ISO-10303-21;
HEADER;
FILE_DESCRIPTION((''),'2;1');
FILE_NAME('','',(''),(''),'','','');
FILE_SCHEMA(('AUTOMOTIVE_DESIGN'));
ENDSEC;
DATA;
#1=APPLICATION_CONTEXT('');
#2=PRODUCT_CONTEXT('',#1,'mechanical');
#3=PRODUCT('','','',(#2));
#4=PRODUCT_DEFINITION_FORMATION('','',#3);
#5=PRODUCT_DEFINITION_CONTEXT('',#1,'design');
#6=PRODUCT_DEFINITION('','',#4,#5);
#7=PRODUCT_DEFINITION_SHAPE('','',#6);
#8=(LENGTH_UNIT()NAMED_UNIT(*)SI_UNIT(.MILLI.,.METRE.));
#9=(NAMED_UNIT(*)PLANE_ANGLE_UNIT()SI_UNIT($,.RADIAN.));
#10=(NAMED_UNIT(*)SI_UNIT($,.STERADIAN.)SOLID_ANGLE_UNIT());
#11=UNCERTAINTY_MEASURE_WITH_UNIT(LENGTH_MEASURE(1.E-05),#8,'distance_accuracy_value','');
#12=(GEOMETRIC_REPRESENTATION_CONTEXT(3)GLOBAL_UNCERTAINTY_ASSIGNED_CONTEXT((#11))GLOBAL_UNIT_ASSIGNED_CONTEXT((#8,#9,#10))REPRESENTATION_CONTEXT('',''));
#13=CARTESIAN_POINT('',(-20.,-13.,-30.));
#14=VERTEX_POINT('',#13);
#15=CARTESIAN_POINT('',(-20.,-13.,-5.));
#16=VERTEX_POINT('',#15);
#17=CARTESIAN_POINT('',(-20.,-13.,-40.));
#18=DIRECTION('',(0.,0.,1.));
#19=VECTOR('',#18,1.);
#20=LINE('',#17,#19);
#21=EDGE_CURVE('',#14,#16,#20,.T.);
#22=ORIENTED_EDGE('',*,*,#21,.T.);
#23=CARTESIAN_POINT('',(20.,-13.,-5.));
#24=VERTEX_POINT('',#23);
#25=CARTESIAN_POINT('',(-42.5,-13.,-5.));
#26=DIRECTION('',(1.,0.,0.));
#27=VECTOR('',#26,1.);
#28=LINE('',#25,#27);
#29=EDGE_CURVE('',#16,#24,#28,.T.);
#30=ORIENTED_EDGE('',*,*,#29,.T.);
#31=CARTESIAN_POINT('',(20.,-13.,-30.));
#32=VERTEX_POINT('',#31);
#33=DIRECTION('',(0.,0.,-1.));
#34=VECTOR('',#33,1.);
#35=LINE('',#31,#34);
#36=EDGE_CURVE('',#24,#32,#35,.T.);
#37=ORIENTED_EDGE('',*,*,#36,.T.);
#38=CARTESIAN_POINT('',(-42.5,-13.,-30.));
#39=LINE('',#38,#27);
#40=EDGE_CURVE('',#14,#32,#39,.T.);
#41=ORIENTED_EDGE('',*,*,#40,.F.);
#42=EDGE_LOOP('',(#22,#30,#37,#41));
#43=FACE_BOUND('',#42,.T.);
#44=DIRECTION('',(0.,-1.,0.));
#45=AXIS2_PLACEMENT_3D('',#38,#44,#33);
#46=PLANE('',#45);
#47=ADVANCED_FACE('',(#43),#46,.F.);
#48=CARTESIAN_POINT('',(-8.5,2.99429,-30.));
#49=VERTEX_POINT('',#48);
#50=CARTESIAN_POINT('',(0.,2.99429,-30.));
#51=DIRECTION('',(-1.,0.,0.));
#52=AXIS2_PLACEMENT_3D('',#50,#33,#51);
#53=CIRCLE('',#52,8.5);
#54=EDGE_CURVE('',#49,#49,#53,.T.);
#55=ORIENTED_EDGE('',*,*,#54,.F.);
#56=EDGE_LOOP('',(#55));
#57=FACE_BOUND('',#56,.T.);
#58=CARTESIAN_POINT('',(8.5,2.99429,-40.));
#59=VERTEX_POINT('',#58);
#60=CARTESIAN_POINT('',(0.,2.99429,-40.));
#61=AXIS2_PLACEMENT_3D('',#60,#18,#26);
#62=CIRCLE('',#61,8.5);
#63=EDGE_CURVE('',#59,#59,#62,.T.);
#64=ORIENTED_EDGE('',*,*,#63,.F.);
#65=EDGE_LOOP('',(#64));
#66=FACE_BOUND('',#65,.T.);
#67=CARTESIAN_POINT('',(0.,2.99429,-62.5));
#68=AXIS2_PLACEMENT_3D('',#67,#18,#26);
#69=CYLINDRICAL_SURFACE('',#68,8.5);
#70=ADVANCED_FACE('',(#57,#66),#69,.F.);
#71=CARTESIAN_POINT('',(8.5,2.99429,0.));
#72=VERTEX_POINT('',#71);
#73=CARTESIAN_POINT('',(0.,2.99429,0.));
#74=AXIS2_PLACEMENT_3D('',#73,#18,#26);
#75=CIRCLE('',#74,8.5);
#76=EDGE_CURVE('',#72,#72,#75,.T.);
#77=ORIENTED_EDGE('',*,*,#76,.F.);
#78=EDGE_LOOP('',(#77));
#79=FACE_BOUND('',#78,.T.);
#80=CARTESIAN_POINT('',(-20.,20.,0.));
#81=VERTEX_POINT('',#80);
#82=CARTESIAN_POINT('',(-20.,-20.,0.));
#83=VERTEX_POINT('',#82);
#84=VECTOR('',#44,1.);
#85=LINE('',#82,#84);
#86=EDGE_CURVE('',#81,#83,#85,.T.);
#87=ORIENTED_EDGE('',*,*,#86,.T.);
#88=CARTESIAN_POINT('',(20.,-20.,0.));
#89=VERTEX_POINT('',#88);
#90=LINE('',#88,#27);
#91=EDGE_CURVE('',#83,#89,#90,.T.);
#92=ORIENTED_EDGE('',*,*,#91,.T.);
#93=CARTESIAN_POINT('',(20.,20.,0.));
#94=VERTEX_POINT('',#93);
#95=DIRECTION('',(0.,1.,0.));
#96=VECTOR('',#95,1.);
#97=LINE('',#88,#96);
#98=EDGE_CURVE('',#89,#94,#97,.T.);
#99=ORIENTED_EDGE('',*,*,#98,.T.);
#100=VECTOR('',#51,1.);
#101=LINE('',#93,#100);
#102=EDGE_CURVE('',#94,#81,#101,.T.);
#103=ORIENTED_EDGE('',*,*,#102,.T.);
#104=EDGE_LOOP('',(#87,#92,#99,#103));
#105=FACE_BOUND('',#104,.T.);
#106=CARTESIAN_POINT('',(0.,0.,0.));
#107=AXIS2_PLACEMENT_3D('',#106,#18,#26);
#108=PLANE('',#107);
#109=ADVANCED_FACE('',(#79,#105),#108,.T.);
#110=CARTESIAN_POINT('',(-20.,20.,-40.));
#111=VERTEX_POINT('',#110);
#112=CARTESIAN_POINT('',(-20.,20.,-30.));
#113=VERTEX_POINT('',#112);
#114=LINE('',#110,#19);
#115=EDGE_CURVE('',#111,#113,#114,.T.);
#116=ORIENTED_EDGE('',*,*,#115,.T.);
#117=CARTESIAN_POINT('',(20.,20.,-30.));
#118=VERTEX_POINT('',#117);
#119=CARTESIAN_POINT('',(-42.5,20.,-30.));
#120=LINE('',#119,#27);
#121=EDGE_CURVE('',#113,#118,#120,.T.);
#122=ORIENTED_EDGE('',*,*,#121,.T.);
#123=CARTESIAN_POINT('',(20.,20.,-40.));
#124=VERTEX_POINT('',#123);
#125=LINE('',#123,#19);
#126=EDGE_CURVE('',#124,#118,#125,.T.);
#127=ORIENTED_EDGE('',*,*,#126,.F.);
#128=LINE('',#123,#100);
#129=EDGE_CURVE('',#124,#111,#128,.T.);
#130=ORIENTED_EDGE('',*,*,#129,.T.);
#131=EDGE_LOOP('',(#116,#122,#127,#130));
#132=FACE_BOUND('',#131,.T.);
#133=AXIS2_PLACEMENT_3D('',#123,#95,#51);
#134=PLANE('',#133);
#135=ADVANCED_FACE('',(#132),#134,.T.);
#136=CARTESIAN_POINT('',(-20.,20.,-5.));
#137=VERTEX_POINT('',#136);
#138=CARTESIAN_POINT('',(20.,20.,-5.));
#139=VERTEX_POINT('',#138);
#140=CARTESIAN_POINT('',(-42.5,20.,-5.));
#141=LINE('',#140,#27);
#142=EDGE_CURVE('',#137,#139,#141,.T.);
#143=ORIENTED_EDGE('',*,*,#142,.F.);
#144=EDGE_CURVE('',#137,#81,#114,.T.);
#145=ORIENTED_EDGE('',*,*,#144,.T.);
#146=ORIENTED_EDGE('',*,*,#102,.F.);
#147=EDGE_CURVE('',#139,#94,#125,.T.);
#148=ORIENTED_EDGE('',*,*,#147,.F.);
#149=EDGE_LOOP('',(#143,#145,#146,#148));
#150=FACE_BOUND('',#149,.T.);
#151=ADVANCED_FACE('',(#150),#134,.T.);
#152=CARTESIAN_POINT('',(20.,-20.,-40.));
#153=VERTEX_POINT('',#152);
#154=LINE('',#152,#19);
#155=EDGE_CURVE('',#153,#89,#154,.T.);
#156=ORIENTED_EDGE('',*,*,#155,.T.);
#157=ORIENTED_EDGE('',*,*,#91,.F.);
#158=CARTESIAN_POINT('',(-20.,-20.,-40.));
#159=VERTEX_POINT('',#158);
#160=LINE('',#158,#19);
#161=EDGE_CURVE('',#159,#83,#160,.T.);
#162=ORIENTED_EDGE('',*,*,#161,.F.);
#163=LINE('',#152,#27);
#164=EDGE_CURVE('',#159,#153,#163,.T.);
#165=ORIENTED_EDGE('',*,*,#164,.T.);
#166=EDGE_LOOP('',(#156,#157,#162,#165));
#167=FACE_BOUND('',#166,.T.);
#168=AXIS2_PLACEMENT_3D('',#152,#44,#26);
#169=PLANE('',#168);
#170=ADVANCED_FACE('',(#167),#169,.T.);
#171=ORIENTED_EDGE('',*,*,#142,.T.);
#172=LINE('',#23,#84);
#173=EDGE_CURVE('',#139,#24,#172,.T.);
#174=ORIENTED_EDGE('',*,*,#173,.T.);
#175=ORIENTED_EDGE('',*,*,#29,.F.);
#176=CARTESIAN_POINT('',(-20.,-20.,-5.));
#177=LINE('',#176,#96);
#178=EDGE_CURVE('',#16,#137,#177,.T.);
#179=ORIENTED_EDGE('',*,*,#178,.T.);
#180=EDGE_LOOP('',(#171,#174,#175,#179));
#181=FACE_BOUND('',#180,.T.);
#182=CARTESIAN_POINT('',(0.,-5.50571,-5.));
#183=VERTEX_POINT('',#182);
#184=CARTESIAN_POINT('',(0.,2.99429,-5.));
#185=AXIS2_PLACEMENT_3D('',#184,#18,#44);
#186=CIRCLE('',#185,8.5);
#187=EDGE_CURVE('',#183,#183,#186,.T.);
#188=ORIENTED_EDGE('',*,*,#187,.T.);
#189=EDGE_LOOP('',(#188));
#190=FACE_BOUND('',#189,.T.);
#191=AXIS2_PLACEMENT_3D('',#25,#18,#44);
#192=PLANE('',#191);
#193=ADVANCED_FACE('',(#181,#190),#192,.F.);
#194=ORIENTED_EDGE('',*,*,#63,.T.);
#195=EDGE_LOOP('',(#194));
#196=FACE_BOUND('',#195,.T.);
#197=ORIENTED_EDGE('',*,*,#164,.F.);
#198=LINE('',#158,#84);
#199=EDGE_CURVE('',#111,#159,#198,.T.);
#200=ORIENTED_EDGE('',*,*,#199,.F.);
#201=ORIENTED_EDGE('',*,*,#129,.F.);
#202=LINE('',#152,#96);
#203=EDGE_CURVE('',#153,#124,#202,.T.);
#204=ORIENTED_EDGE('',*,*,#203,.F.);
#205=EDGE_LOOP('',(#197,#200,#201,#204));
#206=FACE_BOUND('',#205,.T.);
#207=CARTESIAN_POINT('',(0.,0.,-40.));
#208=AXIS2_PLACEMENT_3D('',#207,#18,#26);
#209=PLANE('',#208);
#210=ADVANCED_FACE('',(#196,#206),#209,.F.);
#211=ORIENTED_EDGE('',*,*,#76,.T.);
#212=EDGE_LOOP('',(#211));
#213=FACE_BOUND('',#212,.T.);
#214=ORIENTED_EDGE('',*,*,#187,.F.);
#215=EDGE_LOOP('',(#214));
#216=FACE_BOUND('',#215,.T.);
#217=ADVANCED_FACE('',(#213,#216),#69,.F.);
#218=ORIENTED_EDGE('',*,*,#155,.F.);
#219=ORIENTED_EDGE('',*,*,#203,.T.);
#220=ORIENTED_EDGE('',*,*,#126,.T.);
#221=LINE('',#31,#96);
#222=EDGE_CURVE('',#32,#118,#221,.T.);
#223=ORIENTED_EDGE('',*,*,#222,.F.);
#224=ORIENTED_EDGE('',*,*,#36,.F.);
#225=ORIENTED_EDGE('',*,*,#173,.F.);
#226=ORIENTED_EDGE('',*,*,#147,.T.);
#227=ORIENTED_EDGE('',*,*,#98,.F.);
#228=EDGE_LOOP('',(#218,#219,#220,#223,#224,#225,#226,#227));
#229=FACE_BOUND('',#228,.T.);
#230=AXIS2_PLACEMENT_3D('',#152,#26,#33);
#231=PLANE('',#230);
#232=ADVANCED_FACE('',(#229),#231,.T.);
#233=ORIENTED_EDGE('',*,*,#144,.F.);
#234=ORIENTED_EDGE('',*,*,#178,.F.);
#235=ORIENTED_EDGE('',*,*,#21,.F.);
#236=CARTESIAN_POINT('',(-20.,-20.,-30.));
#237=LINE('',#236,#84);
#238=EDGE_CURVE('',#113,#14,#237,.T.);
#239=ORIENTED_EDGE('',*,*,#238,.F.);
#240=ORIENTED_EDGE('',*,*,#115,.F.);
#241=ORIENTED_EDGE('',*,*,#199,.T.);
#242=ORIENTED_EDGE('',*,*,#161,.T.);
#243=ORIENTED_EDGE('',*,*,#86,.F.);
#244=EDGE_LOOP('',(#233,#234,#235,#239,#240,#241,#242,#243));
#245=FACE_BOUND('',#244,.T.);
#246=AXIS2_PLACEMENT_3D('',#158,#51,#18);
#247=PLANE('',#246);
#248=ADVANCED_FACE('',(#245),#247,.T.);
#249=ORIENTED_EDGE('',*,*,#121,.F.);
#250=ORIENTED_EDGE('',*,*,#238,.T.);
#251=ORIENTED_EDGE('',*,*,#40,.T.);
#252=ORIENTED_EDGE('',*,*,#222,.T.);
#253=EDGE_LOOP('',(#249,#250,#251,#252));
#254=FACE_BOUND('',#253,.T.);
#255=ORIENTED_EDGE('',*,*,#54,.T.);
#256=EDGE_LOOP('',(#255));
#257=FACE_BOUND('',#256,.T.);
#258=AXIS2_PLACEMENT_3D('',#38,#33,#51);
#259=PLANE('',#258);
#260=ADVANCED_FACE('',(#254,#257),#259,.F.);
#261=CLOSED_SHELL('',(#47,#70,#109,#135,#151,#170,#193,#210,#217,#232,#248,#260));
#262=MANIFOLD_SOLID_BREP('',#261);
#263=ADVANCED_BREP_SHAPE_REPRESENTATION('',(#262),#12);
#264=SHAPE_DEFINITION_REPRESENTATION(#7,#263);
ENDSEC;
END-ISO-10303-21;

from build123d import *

# Parameters (mm, degrees)
SKETCH1_W           = 40
SKETCH1_H           = 40
BOSS_EXTRUDE1_DEPTH = 40
SKETCH2_W           = 25
SKETCH2_H           = 33
CUT_EXTRUDE1_DEPTH  = 62.5
SKETCH3_R           = 8.5
CUT_EXTRUDE2_DEPTH  = 62.5


with BuildPart() as part:
    # Sketch1 → Boss-Extrude1 (new body)
    with BuildSketch(Plane.XY):
        Rectangle(SKETCH1_W, SKETCH1_H)
    extrude(amount=-BOSS_EXTRUDE1_DEPTH)

    # Sketch2 → Cut-Extrude1 (cut)
    with BuildSketch(Plane(origin=(20, 0, 0), x_dir=(0, 0, -1), z_dir=(1, 0, 0))):
        with Locations((17.5, 3.5)):
            Rectangle(SKETCH2_W, SKETCH2_H)
    extrude(amount=-CUT_EXTRUDE1_DEPTH, mode=Mode.SUBTRACT)

    # Sketch3 → Cut-Extrude2 (cut)
    with BuildSketch(Plane.XY):
        with Locations((0, 2.994290039)):
            Circle(SKETCH3_R)
    extrude(amount=-CUT_EXTRUDE2_DEPTH, mode=Mode.SUBTRACT)


solid = part.part
